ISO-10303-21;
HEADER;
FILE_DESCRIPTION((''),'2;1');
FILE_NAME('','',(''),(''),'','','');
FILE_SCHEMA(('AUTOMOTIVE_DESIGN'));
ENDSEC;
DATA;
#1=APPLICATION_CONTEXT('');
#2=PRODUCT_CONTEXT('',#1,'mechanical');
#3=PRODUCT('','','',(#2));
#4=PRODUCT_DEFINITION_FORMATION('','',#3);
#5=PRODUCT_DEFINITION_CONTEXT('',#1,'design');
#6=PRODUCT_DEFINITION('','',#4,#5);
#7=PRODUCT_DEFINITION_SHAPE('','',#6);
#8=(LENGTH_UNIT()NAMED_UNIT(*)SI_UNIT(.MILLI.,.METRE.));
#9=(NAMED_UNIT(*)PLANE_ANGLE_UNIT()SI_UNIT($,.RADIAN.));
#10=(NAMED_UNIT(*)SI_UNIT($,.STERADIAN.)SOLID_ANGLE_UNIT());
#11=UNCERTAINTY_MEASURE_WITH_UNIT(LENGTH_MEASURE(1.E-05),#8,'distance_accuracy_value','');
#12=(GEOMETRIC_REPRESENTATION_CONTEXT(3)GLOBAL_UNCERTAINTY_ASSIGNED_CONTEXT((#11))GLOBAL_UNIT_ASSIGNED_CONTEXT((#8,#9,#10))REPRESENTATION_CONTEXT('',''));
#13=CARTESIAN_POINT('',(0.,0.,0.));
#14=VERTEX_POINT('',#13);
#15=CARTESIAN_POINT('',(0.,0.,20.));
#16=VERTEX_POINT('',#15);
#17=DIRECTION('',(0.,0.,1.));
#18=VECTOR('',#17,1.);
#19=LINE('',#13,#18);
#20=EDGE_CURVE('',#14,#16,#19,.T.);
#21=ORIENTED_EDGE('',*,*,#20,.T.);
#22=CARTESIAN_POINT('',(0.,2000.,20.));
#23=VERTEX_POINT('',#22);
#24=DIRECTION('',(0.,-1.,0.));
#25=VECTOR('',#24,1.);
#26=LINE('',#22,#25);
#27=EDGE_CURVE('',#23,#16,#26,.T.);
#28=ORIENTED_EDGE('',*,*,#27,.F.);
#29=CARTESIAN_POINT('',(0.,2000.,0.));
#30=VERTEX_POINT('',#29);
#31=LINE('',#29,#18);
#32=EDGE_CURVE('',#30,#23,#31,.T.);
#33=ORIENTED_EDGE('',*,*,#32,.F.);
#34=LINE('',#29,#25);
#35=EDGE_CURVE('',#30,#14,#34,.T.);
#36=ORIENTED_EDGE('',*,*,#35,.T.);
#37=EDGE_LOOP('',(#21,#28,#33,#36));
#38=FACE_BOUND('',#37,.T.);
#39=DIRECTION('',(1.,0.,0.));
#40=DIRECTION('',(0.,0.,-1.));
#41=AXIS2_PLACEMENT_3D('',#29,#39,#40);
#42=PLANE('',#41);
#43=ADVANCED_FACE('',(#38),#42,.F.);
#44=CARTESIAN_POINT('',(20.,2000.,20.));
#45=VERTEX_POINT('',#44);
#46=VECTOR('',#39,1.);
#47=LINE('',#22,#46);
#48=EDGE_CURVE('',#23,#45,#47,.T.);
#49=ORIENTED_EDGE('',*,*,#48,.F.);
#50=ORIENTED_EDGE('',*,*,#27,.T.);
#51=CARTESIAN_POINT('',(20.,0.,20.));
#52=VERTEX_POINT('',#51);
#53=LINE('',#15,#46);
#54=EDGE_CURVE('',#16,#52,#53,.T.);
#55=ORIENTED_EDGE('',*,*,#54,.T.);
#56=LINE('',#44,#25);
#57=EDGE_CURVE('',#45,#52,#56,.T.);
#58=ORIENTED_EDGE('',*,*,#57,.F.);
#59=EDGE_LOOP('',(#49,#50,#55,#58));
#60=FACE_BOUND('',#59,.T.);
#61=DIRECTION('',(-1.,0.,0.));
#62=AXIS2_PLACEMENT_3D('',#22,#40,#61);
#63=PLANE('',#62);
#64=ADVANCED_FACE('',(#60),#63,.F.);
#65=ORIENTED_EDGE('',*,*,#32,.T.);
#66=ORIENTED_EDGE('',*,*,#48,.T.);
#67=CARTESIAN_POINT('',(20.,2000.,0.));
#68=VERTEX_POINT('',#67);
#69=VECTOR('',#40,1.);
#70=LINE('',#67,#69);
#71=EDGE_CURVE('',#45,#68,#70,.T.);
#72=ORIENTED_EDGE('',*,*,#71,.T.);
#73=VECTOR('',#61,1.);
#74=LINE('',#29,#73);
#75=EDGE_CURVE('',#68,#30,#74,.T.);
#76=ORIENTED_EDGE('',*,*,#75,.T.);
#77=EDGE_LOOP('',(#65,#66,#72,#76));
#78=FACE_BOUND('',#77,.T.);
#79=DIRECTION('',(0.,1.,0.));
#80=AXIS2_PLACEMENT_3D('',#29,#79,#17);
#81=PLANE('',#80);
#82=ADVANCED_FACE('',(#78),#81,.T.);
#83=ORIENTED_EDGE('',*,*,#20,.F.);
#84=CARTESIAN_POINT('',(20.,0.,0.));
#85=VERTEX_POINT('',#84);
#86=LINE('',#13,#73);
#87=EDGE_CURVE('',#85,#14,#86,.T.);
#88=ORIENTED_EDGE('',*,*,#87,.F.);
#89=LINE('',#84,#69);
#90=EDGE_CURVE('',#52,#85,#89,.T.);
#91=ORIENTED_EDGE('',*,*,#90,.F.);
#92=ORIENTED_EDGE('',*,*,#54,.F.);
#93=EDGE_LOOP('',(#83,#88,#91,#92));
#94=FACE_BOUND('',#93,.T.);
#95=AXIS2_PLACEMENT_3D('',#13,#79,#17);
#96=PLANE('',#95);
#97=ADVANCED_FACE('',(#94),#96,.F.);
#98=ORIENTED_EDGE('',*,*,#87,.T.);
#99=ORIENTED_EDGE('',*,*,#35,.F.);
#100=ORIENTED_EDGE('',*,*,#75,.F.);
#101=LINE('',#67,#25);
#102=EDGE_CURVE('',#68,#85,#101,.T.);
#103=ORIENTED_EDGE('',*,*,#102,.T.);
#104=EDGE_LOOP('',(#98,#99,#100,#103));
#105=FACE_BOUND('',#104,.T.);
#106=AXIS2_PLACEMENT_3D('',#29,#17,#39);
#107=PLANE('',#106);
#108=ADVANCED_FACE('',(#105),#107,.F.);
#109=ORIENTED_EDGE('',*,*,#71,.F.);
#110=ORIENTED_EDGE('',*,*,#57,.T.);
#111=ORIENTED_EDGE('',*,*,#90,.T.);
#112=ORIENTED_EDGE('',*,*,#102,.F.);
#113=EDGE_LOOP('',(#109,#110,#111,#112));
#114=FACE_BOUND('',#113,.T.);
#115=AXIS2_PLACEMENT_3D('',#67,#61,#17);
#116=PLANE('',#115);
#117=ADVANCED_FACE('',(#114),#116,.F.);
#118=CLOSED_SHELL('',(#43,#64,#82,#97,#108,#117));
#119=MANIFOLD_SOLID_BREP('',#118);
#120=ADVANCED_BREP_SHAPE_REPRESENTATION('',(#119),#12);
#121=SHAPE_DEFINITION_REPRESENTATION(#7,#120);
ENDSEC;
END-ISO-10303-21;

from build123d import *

# Parameters (mm, degrees)
SKETCH1_W           = 20
SKETCH1_H           = 20
BOSS_EXTRUDE1_DEPTH = 2000


with BuildPart() as part:
    # Sketch1 → Boss-Extrude1 (new body)
    with BuildSketch(Plane(origin=(0, 0, 0), x_dir=(1, 0, 0), z_dir=(0, 1, 0))):
        with Locations((10, -10)):
            Rectangle(SKETCH1_W, SKETCH1_H)
    extrude(amount=BOSS_EXTRUDE1_DEPTH)


solid = part.part
